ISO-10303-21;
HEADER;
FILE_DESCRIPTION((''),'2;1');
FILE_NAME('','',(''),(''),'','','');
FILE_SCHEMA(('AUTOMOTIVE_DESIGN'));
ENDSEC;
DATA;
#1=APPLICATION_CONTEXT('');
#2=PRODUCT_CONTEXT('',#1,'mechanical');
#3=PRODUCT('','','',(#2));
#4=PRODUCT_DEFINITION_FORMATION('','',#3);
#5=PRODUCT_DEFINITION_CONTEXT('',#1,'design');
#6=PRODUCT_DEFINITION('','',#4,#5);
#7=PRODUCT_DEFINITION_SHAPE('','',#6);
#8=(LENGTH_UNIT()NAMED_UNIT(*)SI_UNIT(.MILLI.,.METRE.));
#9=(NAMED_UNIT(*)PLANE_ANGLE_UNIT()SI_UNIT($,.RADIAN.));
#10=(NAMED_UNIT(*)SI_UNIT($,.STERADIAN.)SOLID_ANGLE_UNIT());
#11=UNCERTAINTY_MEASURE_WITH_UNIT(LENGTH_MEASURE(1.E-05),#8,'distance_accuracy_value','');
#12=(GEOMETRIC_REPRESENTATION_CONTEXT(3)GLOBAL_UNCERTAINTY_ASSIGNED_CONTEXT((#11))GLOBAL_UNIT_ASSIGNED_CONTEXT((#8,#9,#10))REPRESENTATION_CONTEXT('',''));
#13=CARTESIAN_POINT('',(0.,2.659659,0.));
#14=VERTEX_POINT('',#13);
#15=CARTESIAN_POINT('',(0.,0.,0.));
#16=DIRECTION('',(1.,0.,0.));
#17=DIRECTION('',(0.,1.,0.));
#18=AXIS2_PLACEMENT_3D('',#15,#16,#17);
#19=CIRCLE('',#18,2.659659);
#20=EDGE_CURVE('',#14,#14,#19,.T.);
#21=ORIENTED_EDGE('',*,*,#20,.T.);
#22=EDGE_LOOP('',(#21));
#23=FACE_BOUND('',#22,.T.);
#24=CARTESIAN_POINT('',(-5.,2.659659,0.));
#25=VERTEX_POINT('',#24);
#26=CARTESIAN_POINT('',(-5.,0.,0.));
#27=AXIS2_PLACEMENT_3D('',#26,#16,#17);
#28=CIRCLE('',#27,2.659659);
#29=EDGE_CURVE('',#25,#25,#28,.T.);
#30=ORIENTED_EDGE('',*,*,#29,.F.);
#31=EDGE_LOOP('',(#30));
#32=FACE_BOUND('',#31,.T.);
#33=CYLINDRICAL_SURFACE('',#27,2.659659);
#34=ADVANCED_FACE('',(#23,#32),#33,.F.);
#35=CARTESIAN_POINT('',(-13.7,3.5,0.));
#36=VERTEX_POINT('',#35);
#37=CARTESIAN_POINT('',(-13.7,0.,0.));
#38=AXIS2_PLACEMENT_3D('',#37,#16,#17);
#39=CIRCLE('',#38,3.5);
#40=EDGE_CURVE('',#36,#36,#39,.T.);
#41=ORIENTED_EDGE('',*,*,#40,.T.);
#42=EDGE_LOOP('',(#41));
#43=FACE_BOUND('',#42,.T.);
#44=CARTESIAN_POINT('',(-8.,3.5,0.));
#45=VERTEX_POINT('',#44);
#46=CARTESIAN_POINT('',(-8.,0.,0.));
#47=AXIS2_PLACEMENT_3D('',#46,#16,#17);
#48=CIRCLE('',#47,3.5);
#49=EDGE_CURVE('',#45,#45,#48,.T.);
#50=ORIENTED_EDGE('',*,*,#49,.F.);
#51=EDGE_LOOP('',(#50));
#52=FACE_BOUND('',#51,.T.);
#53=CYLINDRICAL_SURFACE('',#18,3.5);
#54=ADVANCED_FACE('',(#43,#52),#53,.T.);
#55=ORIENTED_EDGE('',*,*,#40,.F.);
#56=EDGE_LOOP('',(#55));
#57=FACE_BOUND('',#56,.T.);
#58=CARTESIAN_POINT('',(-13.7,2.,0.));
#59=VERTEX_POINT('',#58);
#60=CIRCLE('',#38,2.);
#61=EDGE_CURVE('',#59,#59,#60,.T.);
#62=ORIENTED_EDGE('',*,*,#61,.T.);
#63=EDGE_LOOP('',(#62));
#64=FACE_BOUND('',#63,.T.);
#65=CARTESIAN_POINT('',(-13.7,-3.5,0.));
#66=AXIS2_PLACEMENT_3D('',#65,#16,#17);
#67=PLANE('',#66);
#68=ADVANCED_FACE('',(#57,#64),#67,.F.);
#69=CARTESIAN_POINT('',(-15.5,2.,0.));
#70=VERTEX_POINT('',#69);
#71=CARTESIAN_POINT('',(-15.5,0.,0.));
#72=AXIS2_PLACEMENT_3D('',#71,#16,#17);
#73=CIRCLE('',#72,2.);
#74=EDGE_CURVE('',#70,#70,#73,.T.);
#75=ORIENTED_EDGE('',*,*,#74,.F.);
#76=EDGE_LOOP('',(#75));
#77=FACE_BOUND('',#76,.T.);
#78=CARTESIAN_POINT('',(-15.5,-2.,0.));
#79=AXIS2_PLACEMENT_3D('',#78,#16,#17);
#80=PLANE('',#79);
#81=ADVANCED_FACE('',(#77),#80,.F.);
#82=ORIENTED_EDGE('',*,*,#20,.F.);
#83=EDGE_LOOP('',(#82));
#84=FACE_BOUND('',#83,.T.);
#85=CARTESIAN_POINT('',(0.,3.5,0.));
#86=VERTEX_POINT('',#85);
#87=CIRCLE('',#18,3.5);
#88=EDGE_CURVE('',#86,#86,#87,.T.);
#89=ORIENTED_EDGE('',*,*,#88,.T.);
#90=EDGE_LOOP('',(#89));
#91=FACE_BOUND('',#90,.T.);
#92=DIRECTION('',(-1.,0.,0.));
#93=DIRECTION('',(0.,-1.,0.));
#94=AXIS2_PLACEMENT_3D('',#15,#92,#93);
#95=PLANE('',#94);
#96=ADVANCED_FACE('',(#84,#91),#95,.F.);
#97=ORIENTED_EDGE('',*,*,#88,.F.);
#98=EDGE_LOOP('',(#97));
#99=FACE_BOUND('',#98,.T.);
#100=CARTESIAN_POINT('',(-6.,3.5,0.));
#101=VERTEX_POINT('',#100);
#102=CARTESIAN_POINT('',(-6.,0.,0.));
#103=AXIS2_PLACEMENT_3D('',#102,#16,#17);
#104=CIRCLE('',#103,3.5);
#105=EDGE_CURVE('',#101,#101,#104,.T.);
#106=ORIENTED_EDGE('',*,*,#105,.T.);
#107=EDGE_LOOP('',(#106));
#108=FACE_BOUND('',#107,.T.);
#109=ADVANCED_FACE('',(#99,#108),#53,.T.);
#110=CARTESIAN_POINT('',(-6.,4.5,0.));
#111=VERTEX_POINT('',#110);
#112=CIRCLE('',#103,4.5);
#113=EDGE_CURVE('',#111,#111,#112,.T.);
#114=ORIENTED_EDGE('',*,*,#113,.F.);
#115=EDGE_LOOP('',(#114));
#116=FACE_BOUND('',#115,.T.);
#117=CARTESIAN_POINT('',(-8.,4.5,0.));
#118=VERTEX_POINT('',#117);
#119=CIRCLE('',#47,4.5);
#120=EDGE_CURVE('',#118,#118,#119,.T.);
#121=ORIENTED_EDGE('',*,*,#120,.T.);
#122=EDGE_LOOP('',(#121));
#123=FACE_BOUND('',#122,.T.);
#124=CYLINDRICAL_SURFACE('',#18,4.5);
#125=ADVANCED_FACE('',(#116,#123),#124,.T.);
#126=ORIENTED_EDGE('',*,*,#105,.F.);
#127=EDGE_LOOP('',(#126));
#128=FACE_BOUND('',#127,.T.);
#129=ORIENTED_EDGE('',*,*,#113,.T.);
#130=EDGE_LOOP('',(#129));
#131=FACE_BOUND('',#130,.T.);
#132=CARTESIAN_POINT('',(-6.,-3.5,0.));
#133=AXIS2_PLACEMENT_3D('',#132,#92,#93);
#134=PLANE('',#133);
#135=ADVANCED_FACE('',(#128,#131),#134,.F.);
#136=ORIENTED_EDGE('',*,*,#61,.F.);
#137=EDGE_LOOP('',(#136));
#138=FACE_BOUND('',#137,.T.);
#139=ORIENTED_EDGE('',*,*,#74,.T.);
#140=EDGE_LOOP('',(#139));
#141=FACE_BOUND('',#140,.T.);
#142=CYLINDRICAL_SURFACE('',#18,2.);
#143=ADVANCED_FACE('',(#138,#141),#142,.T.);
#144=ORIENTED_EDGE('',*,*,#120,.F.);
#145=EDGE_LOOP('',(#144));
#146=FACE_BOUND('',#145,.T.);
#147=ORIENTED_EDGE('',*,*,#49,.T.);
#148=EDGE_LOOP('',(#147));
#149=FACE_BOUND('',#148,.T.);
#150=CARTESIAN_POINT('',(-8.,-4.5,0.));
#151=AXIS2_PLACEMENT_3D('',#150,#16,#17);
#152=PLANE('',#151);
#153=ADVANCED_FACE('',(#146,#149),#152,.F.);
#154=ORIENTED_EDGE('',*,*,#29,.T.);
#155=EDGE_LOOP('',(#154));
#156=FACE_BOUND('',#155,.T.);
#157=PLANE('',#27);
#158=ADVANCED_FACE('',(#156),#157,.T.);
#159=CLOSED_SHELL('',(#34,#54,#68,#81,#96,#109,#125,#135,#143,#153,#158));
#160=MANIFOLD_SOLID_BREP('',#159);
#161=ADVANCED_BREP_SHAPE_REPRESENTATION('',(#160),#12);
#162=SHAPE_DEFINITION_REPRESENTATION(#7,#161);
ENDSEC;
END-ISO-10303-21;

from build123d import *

# Parameters (mm, degrees)
SKETCH2_R          = 2.659658838
CUT_EXTRUDE1_DEPTH = 5


with BuildPart() as part:
    # Sketch1 → Revolve1 (revolve)
    with BuildSketch(Plane.XY):
        Polygon((0, 0), (0, -3.5), (-6, -3.5), (-6, -4.5), (-8, -4.5), (-8, -3.5), (-13.7, -3.5), (-13.7, -2), (-15.5, -2), (-15.5, 0), align=None)
    revolve(axis=Axis((0, 0, 0), (-1, 0, 0)))

    # Sketch2 → Cut-Extrude1 (cut)
    with BuildSketch(Plane(origin=(0, 0, 0), x_dir=(0, 0, -1), z_dir=(1, 0, 0))):
        Circle(SKETCH2_R)
    extrude(amount=-CUT_EXTRUDE1_DEPTH, mode=Mode.SUBTRACT)


solid = part.part
